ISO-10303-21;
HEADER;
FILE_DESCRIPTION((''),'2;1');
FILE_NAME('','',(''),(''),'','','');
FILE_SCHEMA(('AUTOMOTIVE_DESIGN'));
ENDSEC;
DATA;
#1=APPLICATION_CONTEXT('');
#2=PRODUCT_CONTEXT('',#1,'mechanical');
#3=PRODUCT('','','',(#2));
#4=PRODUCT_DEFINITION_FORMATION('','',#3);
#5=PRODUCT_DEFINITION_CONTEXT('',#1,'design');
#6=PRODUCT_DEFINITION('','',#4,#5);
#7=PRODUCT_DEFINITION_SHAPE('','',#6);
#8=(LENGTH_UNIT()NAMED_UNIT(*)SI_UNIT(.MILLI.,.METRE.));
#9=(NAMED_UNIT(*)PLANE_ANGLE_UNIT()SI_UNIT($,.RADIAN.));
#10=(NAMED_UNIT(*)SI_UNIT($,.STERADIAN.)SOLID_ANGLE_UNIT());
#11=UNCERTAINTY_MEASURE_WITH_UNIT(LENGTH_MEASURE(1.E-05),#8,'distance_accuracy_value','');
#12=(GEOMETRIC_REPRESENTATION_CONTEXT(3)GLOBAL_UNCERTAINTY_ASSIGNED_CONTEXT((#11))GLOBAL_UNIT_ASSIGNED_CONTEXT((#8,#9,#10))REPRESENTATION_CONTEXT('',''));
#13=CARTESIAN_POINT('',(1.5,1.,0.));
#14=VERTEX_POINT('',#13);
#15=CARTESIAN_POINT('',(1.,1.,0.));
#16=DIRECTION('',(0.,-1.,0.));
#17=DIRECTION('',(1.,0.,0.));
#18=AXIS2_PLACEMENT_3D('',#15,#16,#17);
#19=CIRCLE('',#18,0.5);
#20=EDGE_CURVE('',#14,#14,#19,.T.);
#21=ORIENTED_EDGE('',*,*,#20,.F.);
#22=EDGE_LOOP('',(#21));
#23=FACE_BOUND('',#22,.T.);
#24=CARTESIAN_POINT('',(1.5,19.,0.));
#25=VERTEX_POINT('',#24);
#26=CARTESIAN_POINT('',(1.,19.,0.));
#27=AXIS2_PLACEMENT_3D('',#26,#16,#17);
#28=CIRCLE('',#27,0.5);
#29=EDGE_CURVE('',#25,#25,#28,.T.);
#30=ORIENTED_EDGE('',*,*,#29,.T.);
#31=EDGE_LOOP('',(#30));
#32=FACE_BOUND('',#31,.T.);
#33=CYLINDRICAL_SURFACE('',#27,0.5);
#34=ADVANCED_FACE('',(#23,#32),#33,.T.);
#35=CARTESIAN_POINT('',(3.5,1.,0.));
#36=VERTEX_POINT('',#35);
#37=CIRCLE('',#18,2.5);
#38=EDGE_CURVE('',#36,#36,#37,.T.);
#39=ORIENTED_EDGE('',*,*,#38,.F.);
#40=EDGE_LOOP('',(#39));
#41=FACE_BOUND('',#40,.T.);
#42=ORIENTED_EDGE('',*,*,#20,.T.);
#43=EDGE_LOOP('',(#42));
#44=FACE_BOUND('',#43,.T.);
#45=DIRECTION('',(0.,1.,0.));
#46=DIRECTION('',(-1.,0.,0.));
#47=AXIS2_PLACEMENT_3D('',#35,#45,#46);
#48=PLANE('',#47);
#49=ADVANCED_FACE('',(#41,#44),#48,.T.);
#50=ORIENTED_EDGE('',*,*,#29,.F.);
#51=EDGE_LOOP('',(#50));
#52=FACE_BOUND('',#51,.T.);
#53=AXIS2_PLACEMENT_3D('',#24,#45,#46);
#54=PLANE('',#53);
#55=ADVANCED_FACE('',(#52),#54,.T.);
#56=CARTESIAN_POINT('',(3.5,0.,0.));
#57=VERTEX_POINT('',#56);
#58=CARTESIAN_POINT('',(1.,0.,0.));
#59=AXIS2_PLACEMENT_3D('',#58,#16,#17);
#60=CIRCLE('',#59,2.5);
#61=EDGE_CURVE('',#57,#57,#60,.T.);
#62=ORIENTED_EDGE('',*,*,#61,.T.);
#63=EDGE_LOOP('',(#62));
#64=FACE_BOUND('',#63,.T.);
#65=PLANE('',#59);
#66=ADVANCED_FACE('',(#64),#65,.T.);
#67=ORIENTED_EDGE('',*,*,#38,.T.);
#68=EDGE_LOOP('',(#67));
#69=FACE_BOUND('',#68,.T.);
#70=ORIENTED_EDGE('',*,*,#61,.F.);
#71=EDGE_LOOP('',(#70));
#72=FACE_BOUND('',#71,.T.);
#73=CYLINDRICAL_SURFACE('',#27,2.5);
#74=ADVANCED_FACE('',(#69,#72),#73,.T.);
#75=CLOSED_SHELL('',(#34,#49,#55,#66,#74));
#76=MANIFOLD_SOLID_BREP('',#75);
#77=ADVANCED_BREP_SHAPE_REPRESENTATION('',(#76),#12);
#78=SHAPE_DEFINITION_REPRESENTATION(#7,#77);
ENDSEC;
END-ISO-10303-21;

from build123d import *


with BuildPart() as part:
    # Sketch1 → Revolve1 (revolve)
    with BuildSketch(Plane.XY):
        Polygon((1.5, 19), (1, 19), (1, 0), (3.5, 0), (3.5, 1), (1.5, 1), align=None)
    revolve(axis=Axis((1, 19, 0), (0, -1, 0)))


solid = part.part
